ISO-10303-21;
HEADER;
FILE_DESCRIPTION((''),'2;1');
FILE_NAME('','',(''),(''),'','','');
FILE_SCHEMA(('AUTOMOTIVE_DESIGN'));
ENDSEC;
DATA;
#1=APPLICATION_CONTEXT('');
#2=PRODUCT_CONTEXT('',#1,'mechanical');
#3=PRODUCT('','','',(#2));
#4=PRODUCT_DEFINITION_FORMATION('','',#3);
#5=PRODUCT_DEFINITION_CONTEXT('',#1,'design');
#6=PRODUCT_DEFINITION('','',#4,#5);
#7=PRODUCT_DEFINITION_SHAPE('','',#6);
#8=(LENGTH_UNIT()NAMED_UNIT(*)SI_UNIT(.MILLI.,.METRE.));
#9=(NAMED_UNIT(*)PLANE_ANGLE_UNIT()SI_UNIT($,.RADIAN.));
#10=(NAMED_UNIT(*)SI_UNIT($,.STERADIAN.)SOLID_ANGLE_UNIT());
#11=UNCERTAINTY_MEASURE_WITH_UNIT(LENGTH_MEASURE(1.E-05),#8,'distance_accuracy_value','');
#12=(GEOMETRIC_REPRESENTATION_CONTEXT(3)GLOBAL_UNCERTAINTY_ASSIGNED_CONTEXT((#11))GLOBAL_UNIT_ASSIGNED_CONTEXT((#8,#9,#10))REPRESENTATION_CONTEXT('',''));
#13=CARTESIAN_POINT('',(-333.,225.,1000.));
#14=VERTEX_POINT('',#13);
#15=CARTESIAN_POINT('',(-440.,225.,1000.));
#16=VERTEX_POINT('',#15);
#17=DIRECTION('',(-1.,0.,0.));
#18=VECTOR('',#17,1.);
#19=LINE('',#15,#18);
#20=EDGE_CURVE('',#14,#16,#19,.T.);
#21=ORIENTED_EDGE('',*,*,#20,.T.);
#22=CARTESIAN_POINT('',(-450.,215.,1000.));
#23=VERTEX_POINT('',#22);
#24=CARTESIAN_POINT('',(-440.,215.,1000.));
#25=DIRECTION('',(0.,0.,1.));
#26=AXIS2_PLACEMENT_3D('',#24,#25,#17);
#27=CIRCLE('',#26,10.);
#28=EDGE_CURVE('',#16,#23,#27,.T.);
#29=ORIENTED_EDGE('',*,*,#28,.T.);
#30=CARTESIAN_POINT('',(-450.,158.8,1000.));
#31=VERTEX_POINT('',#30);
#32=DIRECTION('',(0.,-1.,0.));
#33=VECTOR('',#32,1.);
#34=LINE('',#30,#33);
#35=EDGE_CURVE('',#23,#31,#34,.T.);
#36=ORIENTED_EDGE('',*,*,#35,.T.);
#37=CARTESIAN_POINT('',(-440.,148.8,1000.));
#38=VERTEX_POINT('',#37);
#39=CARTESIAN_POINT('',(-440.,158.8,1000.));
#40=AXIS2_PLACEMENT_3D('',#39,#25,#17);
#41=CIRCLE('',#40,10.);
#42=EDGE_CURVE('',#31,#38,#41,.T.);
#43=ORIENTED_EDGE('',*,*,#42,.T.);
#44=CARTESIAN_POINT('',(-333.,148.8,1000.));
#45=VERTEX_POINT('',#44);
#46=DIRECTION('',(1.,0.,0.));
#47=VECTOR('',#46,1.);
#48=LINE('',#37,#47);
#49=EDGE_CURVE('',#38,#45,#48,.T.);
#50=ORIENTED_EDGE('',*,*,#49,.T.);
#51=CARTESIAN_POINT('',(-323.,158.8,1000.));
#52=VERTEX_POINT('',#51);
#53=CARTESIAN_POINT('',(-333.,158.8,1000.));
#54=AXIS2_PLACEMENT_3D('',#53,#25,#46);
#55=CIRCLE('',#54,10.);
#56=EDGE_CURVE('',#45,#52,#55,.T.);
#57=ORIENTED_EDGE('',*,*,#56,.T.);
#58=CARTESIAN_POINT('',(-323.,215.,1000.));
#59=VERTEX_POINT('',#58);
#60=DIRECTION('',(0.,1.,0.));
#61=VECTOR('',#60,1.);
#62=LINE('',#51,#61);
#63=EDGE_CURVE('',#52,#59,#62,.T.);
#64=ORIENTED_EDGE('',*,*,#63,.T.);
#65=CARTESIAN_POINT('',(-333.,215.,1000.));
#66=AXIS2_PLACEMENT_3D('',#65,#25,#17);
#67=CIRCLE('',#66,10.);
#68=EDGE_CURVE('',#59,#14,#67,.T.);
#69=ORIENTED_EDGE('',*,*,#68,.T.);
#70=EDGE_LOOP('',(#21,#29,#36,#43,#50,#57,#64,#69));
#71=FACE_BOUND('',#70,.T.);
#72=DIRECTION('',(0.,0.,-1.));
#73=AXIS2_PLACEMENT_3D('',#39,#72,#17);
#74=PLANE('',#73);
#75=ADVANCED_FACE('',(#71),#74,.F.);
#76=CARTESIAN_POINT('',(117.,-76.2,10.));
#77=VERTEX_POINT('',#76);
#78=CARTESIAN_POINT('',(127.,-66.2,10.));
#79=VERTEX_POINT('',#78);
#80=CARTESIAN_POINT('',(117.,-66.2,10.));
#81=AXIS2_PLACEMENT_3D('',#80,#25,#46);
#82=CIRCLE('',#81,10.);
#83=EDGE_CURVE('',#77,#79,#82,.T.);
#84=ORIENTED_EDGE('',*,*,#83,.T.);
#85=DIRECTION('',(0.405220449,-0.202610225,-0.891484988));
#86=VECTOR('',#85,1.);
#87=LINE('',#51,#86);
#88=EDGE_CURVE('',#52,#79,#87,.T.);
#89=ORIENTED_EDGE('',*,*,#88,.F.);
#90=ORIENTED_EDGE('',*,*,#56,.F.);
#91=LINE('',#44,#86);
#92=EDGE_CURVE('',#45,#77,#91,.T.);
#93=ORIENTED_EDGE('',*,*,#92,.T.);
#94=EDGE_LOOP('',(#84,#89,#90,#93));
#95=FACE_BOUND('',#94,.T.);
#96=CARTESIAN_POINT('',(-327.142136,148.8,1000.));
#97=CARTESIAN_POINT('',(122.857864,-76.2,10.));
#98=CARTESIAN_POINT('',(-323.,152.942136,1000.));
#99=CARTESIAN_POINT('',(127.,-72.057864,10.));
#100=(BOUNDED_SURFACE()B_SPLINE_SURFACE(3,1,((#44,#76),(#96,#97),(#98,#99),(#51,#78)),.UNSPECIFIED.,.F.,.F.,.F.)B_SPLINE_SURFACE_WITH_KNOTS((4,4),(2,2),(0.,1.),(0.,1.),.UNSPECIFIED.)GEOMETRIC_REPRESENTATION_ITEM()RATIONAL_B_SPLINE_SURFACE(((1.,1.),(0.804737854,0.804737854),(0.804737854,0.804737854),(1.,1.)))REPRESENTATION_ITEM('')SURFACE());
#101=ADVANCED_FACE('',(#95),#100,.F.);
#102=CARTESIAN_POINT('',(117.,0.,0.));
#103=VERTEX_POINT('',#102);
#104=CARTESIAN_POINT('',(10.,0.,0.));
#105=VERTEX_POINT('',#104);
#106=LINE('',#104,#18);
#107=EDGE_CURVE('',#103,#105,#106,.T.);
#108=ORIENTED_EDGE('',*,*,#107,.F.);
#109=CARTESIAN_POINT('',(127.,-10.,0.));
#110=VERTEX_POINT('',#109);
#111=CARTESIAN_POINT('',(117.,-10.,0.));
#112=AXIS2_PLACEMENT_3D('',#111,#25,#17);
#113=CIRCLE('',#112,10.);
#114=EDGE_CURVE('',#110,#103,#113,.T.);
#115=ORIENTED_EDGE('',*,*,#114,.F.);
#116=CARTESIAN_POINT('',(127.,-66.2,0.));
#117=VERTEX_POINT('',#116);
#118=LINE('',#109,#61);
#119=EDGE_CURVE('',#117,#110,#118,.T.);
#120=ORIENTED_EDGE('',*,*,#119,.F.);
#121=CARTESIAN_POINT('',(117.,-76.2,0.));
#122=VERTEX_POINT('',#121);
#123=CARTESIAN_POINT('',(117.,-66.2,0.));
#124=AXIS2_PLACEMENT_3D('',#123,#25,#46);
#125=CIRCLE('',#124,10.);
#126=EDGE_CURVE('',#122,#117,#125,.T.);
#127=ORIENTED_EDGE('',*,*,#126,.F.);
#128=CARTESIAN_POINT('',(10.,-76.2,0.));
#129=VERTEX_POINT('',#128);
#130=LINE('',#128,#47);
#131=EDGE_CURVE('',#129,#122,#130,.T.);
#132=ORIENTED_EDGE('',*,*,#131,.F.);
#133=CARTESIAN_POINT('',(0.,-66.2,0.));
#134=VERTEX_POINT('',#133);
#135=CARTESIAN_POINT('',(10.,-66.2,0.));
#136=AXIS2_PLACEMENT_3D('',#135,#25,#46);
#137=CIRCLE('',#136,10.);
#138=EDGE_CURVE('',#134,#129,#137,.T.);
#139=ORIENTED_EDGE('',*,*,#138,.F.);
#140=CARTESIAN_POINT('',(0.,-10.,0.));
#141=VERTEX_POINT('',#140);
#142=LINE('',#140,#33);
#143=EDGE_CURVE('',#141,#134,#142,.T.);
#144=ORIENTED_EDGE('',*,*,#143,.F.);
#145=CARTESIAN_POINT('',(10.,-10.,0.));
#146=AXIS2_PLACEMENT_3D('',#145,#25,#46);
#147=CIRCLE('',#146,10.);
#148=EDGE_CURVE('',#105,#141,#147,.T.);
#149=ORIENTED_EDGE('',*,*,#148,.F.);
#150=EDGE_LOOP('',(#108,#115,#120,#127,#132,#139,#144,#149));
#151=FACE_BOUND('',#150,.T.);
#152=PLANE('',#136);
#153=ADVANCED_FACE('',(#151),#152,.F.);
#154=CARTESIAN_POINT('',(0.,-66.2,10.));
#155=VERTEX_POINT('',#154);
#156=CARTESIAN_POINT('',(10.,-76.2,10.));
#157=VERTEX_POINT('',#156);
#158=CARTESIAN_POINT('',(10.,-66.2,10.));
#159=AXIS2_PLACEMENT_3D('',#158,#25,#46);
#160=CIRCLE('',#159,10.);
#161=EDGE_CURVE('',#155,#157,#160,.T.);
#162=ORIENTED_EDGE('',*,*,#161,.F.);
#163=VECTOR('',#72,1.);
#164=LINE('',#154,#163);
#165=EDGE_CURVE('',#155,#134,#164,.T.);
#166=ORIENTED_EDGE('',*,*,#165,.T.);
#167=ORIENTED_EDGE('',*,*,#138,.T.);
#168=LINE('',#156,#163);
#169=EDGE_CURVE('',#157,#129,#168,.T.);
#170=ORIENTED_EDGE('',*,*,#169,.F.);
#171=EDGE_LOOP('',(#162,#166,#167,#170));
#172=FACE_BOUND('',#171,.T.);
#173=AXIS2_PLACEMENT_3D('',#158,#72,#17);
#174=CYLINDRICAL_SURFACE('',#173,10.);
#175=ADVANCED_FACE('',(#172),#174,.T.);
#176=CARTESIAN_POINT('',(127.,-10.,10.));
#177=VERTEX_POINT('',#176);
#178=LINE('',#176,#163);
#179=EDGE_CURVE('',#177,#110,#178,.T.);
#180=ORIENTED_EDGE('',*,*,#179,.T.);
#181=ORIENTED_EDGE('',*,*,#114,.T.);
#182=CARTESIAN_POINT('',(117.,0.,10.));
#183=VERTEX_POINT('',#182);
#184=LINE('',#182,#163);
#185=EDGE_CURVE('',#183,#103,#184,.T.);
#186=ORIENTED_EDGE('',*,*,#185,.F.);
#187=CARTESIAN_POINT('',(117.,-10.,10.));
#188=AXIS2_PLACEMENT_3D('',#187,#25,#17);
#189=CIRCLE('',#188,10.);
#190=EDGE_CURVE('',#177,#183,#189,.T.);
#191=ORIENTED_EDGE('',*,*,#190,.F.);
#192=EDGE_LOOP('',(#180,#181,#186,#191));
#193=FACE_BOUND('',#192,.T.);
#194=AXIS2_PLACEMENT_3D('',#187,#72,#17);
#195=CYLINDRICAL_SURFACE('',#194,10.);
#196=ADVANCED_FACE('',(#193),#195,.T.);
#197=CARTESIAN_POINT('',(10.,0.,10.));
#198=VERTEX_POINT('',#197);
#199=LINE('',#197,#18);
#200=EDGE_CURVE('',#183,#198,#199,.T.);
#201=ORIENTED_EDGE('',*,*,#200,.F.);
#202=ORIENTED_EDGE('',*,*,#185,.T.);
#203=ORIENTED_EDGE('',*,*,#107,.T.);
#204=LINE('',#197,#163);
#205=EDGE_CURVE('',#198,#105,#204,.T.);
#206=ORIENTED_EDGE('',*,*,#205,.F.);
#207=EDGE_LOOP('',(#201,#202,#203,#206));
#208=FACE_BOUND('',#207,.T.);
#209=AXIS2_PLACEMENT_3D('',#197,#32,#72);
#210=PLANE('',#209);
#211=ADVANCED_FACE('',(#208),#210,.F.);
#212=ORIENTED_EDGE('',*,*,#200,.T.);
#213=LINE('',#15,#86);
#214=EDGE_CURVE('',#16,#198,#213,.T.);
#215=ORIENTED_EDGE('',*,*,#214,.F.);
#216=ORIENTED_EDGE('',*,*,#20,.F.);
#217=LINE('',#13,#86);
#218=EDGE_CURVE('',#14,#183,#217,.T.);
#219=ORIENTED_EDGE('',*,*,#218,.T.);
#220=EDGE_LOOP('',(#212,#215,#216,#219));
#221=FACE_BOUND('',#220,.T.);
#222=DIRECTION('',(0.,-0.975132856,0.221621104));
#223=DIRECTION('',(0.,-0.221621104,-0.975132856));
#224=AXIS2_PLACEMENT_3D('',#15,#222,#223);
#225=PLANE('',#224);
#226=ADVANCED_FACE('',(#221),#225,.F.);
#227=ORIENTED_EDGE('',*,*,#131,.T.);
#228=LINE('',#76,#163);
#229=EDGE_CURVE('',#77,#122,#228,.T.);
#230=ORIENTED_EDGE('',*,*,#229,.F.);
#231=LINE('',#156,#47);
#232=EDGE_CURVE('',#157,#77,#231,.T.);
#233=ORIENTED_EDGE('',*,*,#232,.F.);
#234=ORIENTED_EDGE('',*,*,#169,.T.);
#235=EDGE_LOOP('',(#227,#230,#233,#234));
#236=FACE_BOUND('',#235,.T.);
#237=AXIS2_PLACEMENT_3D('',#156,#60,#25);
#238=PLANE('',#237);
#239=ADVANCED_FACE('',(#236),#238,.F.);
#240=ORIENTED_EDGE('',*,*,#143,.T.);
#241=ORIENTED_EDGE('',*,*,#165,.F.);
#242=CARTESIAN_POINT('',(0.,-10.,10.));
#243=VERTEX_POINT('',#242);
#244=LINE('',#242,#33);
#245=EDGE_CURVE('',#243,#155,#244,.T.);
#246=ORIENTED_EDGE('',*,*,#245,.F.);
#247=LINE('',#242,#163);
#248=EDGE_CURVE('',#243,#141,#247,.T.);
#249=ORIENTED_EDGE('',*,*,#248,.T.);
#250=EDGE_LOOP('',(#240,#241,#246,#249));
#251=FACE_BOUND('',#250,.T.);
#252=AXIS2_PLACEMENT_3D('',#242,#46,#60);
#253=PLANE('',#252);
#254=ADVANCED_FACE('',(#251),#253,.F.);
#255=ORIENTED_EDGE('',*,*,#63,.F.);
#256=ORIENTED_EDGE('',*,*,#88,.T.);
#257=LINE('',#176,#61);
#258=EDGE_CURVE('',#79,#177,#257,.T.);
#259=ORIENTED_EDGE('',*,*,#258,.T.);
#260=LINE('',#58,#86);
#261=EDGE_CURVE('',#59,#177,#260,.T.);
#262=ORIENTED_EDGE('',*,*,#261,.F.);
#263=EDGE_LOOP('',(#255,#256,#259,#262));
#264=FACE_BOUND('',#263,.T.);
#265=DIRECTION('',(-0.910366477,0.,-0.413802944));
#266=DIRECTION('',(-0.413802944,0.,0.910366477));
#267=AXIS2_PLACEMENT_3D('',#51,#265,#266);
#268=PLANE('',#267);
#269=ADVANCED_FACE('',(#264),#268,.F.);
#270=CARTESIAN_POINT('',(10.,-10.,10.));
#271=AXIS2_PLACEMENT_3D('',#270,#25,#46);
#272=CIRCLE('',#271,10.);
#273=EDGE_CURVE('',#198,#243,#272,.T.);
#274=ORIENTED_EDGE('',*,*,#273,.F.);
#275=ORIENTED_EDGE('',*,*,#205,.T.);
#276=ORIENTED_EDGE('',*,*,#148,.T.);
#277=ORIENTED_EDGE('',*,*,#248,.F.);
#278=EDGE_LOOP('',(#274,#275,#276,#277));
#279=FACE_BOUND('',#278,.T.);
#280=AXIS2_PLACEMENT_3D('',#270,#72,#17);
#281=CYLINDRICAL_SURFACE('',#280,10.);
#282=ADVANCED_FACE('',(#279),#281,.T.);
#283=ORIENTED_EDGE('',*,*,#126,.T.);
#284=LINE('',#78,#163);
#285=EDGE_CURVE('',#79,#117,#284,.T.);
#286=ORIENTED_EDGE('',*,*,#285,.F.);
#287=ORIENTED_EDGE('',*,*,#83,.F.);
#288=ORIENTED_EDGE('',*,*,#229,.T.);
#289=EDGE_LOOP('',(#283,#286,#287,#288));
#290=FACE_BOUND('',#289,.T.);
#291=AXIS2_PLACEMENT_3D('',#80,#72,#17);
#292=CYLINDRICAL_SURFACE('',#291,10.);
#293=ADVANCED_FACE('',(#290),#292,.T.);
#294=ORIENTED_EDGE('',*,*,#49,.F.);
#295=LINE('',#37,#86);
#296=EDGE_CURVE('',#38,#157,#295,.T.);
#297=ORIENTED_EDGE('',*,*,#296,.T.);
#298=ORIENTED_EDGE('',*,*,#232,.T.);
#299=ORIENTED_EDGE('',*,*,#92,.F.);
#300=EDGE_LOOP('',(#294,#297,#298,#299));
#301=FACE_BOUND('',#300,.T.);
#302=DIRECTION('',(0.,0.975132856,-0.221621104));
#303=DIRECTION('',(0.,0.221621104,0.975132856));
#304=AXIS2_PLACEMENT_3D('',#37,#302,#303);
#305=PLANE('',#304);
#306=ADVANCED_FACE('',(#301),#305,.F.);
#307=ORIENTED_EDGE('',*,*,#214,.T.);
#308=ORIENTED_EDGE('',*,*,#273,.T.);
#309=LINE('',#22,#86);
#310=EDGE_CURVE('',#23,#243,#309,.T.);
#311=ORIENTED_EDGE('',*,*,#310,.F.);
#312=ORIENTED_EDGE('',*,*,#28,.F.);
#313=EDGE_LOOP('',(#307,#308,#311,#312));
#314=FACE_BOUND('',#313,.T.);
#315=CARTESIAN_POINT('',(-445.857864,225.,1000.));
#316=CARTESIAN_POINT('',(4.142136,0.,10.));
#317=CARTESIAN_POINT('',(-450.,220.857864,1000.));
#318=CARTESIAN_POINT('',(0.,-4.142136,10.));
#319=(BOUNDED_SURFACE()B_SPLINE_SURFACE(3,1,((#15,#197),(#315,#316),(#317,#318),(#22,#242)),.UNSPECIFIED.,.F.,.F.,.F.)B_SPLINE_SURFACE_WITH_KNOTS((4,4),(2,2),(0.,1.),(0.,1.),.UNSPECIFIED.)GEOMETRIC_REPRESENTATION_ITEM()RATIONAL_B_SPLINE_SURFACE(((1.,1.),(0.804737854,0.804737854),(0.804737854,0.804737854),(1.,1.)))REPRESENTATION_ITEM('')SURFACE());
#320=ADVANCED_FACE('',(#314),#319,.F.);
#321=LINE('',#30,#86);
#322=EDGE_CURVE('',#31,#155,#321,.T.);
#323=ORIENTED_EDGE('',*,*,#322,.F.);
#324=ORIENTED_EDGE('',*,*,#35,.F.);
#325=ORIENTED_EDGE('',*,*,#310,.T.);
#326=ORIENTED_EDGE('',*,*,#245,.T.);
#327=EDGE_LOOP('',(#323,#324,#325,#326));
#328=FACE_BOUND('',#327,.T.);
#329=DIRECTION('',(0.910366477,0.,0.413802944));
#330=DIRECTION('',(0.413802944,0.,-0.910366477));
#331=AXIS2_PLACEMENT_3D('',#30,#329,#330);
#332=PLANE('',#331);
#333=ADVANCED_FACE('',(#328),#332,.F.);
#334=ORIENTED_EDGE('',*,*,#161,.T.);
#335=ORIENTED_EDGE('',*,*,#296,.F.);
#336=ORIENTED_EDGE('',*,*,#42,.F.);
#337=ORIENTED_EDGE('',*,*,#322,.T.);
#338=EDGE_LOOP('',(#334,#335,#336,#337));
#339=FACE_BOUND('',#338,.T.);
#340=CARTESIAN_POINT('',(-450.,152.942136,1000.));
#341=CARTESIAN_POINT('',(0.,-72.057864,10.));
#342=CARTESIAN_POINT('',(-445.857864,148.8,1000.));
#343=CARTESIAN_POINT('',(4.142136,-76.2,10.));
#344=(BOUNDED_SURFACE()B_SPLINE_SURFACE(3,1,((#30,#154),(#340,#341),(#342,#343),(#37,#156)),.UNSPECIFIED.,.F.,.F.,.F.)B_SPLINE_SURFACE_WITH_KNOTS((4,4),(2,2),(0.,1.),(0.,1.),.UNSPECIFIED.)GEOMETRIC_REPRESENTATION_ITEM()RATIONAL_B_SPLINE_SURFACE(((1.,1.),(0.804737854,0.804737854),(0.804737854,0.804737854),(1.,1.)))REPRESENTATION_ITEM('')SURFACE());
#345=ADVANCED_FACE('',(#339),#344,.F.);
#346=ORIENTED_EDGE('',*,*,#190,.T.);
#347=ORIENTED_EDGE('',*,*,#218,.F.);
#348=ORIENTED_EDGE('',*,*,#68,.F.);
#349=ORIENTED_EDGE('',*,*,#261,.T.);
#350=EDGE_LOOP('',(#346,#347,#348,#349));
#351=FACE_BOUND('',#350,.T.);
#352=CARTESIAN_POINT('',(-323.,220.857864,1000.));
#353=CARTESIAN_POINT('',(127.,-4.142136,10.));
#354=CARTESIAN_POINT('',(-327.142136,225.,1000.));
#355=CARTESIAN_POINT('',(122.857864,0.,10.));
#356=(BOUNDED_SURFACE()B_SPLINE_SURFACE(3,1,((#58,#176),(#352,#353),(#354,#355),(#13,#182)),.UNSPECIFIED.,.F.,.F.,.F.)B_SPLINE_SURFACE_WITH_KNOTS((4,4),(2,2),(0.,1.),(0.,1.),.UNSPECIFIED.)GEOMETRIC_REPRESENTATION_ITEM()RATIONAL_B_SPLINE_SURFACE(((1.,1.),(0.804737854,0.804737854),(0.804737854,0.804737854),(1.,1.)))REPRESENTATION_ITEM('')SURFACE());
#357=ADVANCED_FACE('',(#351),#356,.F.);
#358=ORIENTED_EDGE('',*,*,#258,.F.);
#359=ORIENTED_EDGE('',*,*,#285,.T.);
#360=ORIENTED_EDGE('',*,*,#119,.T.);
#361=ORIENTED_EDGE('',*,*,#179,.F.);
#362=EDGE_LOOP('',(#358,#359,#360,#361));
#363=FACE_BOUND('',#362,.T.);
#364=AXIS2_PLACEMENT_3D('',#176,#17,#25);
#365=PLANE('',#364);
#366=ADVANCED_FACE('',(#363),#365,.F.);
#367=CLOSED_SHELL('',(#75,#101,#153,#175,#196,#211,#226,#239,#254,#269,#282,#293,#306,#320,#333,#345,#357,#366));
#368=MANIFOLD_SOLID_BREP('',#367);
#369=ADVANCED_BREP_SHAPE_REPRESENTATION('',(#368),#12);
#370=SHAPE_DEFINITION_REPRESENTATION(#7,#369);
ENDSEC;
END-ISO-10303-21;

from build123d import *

# Parameters (mm, degrees)
SALIENTE_EXTRUIR1_DEPTH = 10


with BuildPart() as part:
    # Croquis1 → Saliente-Extruir1 (new body)
    with BuildSketch(Plane.XY):
        with BuildLine():
            Line((10, 0), (117, 0))
            ThreePointArc((117, 0), (124.071067812, -2.928932188), (127, -10))
            Line((127, -10), (127, -66.2))
            ThreePointArc((127, -66.2), (124.071067812, -73.271067812), (117, -76.2))
            Line((117, -76.2), (10, -76.2))
            ThreePointArc((10, -76.2), (2.928932188, -73.271067812), (0, -66.2))
            Line((0, -66.2), (0, -10))
            ThreePointArc((0, -10), (2.928932188, -2.928932188), (10, 0))
        make_face()
    extrude(amount=SALIENTE_EXTRUIR1_DEPTH)

    # Barrer1: sweep along a curve in space
    with BuildLine() as barrer1_path:
        Line((-386.5, 186.9, 1000), (63.5, -38.1, 10))
    # Croquis2 → Barrer1 (sweep)
    with BuildSketch(Plane.XY.offset(10)):
        with BuildLine():
            Line((10, -76.2), (117, -76.2))
            ThreePointArc((117, -76.2), (124.071067812, -73.271067812), (127, -66.2))
            Line((127, -66.2), (127, -10))
            ThreePointArc((127, -10), (124.071067812, -2.928932188), (117, 0))
            Line((117, 0), (10, 0))
            ThreePointArc((10, 0), (2.928932188, -2.928932188), (0, -10))
            Line((0, -10), (0, -66.2))
            ThreePointArc((0, -66.2), (2.928932188, -73.271067812), (10, -76.2))
        make_face()
    sweep(path=barrer1_path.line)


solid = part.part
